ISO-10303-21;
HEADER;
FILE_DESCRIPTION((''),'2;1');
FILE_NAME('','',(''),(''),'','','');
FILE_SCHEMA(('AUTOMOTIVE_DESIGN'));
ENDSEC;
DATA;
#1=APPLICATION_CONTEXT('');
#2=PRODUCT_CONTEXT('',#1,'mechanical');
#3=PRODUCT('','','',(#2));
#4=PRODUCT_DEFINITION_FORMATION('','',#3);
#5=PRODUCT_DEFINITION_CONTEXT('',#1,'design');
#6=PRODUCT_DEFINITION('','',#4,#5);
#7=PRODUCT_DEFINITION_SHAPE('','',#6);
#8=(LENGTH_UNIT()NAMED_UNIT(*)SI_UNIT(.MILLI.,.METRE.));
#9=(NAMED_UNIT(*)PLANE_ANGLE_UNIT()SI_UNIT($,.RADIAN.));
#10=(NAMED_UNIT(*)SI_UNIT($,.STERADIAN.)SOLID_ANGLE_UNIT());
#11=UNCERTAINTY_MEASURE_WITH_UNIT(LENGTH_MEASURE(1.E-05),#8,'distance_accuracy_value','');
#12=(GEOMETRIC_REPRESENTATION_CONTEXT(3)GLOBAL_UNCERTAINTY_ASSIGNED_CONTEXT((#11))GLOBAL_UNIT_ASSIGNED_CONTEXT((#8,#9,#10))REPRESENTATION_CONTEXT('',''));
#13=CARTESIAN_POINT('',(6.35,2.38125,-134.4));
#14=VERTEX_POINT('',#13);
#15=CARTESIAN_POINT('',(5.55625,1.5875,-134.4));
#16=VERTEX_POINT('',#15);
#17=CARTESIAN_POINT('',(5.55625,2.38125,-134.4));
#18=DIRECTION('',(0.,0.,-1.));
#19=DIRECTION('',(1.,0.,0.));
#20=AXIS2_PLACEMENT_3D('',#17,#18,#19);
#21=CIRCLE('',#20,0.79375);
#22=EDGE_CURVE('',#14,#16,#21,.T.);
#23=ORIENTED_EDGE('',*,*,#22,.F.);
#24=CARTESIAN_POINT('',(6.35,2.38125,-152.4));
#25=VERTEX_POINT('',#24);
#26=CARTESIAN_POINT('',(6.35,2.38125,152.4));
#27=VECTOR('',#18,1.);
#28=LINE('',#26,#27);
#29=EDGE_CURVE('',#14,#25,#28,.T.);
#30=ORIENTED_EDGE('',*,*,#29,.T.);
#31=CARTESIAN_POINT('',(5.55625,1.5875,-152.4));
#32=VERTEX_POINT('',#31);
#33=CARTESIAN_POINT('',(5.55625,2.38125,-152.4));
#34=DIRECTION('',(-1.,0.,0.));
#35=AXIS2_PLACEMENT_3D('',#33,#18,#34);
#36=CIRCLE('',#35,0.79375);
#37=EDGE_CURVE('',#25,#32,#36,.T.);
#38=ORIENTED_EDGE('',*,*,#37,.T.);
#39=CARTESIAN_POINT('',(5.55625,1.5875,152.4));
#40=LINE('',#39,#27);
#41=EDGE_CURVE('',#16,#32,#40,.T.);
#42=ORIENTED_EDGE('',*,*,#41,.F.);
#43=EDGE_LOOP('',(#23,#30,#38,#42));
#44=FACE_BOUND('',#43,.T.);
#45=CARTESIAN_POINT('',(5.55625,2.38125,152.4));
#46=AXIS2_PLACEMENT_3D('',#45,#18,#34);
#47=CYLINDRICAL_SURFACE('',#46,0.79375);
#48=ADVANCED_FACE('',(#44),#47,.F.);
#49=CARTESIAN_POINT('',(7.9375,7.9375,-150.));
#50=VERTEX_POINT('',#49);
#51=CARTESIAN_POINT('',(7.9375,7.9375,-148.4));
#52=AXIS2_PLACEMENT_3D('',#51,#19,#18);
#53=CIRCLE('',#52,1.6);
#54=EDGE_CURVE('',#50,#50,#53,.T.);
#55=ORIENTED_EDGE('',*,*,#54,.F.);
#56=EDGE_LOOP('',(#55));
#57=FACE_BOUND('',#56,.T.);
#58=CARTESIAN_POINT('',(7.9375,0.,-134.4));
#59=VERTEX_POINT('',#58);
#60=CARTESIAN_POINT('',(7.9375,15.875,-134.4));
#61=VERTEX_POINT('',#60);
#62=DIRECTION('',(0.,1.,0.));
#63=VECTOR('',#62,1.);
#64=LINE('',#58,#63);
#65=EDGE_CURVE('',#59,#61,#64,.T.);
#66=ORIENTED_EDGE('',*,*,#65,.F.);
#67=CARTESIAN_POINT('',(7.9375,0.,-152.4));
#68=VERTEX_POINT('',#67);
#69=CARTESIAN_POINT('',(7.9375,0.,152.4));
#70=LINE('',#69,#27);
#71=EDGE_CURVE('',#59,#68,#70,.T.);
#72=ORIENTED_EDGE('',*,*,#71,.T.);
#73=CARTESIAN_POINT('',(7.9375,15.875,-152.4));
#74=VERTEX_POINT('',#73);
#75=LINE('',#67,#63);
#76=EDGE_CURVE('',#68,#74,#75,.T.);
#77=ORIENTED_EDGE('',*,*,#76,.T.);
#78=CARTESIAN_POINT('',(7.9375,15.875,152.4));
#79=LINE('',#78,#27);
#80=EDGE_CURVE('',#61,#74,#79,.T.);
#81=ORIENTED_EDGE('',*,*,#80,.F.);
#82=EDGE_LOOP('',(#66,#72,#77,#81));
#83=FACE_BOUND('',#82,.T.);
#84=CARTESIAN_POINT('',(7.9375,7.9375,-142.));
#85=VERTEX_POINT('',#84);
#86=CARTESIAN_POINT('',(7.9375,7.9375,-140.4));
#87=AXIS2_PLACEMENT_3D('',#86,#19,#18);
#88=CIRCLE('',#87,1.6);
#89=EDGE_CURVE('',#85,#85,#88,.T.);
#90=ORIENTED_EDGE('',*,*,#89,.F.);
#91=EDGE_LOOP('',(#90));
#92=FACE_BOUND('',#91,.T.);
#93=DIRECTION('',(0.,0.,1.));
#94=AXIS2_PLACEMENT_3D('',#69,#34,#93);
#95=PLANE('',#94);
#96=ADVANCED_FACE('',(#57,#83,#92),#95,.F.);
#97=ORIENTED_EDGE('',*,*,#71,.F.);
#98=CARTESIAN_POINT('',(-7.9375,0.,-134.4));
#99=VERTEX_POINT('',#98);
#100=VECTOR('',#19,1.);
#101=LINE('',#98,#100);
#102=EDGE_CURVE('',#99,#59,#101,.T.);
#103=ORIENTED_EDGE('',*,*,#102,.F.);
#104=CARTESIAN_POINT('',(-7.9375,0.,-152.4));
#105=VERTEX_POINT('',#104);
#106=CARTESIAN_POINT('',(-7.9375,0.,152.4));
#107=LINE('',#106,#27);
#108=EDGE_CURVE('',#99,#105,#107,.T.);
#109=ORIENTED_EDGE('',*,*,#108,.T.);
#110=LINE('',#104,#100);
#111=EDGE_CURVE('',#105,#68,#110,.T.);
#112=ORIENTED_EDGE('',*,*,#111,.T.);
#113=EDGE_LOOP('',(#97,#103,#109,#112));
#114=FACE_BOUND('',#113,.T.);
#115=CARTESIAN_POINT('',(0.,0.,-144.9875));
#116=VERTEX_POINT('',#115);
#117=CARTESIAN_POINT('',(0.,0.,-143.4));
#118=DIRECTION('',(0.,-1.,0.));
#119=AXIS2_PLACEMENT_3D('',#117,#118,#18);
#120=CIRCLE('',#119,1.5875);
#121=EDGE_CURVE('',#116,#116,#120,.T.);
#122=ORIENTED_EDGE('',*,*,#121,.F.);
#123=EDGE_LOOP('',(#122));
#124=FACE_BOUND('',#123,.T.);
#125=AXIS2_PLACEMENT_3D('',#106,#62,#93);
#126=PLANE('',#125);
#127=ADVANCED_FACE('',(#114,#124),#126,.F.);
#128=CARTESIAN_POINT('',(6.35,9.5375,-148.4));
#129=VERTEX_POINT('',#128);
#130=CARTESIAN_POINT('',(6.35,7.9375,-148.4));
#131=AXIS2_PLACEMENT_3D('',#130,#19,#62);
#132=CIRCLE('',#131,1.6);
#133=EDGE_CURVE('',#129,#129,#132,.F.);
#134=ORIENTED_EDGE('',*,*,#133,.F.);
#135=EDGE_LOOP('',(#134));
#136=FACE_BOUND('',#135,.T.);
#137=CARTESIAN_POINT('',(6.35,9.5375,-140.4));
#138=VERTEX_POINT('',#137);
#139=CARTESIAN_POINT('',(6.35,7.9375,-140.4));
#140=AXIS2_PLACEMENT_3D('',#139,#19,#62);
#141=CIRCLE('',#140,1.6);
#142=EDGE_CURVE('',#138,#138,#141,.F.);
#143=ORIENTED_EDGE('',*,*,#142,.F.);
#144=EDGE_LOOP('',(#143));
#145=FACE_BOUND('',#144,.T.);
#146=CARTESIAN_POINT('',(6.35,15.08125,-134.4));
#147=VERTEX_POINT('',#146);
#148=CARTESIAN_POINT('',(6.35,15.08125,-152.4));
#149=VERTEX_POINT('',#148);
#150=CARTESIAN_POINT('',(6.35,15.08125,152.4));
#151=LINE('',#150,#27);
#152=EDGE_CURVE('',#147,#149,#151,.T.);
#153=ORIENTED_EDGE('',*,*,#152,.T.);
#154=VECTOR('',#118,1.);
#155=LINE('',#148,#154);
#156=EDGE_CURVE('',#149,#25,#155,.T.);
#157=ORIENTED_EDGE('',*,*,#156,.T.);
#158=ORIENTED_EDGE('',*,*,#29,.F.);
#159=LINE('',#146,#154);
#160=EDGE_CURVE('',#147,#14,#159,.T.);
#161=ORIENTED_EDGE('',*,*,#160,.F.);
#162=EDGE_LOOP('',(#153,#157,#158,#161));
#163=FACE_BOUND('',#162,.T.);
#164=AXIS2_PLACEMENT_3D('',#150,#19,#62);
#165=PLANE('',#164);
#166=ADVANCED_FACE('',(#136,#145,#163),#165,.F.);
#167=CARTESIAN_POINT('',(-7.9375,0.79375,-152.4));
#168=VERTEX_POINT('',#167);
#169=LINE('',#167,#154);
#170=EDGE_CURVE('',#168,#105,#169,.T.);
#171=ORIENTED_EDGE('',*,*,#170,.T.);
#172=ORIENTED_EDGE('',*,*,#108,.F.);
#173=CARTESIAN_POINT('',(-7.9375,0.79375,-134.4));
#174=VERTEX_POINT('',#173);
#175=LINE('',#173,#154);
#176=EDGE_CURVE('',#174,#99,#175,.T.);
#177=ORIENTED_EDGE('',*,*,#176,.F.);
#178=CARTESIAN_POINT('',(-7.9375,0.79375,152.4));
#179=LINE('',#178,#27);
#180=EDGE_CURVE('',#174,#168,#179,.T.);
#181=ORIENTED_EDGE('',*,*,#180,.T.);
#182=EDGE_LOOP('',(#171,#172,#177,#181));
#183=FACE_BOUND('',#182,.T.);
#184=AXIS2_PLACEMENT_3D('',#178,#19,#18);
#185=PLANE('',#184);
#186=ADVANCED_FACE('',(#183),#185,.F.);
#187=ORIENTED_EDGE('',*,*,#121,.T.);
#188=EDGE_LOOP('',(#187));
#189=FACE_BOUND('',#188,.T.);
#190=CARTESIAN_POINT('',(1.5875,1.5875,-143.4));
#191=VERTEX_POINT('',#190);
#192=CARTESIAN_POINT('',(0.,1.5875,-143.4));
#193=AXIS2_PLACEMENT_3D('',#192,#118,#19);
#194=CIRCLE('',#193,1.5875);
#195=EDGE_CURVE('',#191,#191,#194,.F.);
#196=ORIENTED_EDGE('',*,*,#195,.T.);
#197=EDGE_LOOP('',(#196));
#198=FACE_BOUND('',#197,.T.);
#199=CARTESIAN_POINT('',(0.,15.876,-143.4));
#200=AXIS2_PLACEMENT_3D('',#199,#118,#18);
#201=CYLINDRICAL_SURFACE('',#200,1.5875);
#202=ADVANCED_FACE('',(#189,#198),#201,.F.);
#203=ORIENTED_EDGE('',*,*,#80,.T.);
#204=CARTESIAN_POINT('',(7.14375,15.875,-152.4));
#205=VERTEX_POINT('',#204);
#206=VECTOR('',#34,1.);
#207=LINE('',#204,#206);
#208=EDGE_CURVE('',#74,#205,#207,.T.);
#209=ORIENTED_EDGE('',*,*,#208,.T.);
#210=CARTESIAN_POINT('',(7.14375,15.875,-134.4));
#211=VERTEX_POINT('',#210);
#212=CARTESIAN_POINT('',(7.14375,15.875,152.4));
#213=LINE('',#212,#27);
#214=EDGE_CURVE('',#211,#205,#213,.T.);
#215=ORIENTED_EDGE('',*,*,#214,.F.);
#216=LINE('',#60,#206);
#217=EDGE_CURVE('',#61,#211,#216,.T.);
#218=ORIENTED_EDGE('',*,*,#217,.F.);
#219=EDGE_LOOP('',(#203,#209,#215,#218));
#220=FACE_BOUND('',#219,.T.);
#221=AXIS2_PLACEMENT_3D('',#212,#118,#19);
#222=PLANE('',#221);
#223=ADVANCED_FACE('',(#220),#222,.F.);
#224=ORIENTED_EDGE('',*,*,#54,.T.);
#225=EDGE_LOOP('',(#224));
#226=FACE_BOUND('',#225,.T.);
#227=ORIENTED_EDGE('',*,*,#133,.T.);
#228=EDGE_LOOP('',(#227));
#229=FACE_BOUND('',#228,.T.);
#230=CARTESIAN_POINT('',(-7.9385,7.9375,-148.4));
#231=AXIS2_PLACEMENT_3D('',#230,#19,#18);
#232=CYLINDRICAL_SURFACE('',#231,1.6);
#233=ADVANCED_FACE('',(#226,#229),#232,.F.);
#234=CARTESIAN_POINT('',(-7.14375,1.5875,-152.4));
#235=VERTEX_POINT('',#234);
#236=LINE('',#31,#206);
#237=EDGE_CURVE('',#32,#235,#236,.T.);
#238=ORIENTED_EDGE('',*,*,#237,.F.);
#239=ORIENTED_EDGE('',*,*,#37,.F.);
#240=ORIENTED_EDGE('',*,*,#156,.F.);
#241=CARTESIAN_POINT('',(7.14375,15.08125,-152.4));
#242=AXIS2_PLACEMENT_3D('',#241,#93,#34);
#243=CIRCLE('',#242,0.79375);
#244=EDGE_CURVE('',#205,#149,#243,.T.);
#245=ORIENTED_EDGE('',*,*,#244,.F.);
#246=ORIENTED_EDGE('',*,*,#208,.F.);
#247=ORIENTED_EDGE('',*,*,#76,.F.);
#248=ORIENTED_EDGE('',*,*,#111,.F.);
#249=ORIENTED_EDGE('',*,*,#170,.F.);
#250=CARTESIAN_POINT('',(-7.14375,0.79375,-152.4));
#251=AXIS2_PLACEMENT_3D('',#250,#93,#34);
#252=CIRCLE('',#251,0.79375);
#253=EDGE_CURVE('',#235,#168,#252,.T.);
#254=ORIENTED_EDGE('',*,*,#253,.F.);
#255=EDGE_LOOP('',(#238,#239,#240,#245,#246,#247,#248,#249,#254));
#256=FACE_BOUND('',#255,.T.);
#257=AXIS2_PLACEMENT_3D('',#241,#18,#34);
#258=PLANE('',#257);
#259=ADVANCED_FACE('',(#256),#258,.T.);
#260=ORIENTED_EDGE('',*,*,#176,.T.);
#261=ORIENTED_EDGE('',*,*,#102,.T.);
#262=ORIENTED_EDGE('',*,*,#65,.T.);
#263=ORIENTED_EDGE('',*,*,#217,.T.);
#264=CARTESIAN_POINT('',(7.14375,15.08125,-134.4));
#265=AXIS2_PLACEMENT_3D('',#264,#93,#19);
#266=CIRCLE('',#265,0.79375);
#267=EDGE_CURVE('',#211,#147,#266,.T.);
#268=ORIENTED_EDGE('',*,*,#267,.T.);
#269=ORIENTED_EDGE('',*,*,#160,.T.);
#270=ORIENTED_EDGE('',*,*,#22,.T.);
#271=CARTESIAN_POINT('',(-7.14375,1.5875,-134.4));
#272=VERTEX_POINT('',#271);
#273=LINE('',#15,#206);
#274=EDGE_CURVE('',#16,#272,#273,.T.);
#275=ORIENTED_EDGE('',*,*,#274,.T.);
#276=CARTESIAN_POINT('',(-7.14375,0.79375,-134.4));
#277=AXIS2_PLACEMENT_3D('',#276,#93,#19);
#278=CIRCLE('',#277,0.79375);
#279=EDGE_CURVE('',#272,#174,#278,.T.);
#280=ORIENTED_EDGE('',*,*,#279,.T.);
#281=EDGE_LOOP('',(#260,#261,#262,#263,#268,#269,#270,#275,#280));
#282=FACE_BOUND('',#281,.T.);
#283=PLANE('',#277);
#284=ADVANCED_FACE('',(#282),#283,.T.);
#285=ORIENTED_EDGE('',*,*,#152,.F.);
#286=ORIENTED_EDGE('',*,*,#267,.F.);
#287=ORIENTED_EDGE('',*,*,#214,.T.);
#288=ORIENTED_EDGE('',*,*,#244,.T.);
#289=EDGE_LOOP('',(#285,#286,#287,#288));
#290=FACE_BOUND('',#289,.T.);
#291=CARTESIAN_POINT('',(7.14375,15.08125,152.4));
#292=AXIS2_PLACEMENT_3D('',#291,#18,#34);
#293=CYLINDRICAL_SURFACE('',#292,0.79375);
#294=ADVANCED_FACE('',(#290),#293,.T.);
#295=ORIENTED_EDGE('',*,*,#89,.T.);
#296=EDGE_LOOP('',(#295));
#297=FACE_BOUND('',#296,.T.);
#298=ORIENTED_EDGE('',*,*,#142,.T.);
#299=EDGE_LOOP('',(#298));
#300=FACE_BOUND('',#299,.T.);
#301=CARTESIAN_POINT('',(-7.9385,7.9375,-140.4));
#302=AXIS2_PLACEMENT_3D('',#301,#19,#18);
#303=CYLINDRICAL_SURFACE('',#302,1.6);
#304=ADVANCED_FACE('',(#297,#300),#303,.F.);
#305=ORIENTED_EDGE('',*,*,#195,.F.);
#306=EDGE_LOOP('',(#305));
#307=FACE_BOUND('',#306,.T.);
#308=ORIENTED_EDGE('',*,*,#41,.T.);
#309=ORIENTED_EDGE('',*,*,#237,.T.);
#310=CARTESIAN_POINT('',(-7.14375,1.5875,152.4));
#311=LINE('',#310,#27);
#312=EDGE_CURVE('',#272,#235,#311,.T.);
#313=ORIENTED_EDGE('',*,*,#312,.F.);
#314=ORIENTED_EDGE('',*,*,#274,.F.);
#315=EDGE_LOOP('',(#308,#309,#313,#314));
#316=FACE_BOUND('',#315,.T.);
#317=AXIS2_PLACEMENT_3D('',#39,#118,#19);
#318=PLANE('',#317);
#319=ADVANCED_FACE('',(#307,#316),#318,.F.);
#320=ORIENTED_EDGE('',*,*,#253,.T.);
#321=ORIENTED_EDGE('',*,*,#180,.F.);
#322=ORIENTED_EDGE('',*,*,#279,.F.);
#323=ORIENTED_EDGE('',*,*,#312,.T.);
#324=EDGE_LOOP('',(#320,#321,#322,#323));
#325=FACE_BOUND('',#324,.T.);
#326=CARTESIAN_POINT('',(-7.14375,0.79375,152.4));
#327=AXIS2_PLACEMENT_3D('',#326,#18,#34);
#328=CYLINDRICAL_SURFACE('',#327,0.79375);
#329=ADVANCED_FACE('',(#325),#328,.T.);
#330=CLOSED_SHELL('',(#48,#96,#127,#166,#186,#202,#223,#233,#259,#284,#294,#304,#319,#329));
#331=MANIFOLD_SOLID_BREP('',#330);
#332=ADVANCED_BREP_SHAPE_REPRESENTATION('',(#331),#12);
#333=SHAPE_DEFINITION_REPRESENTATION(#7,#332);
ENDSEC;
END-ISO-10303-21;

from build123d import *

# Parameters (mm, degrees)
BOSS_EXTRUDE1_DEPTH = 152.4
CUT_EXTRUDE1_REACH  = 17.875
SKETCH3_R           = 1.6
CUT_EXTRUDE2_DEPTH  = 286.8
CUT_EXTRUDE3_REACH  = 17.875
SKETCH5_R           = 1.5875


with BuildPart() as part:
    # Sketch2 → Boss-Extrude1 (new body, symmetric)
    with BuildSketch(Plane.XY):
        with BuildLine():
            Line((-7.9375, 0), (7.9375, 0))
            Line((7.9375, 0), (7.9375, 15.875))
            Line((7.9375, 15.875), (7.14375, 15.875))
            ThreePointArc((7.14375, 15.875), (6.582483992, 15.642516008), (6.35, 15.08125))
            Line((6.35, 15.08125), (6.35, 2.38125))
            ThreePointArc((6.35, 2.38125), (6.117516008, 1.819983992), (5.55625, 1.5875))
            Line((5.55625, 1.5875), (-7.14375, 1.5875))
            ThreePointArc((-7.14375, 1.5875), (-7.705016008, 1.355016008), (-7.9375, 0.79375))
            Line((-7.9375, 0.79375), (-7.9375, 0))
        make_face()
    extrude(amount=BOSS_EXTRUDE1_DEPTH, both=True)

    # Sketch3 → Cut-Extrude1 (cut, up to next)
    with BuildSketch(Plane(origin=(7.9375, 0, 0), x_dir=(0, 0, -1), z_dir=(1, 0, 0)), mode=Mode.PRIVATE) as cut_extrude1_sk1:
        with Locations((148.4, 7.9375)):
            Circle(SKETCH3_R)
    cut_extrude1_tool1 = extrude(cut_extrude1_sk1.sketch, amount=-CUT_EXTRUDE1_REACH, mode=Mode.PRIVATE) & part.part
    add(cut_extrude1_tool1.solids().sort_by_distance((7.9375, 7.9375, -148.4))[0], mode=Mode.SUBTRACT)
    # Sketch3 → Cut-Extrude1 (cut, up to next)
    with BuildSketch(Plane(origin=(7.9375, 0, 0), x_dir=(0, 0, -1), z_dir=(1, 0, 0)), mode=Mode.PRIVATE) as cut_extrude1_sk2:
        with Locations((140.4, 7.9375)):
            Circle(SKETCH3_R)
    cut_extrude1_tool2 = extrude(cut_extrude1_sk2.sketch, amount=-CUT_EXTRUDE1_REACH, mode=Mode.PRIVATE) & part.part
    add(cut_extrude1_tool2.solids().sort_by_distance((7.9375, 7.9375, -140.4))[0], mode=Mode.SUBTRACT)

    # Sketch4 → Cut-Extrude2 (cut)
    with BuildSketch(Plane.XY.offset(152.4)):
        with BuildLine():
            Line((-7.9375, 0.79375), (-7.9375, 0))
            Line((-7.9375, 0), (7.9375, 0))
            Line((7.9375, 0), (7.9375, 15.875))
            Line((7.9375, 15.875), (7.14375, 15.875))
            ThreePointArc((7.14375, 15.875), (6.582483992, 15.642516008), (6.35, 15.08125))
            Line((6.35, 15.08125), (6.35, 2.38125))
            ThreePointArc((6.35, 2.38125), (6.117516008, 1.819983992), (5.55625, 1.5875))
            Line((5.55625, 1.5875), (-7.14375, 1.5875))
            ThreePointArc((-7.14375, 1.5875), (-7.705016008, 1.355016008), (-7.9375, 0.79375))
        make_face()
    extrude(amount=-CUT_EXTRUDE2_DEPTH, mode=Mode.SUBTRACT)

    # Sketch5 → Cut-Extrude3 (cut, up to next)
    with BuildSketch(Plane.XZ, mode=Mode.PRIVATE) as cut_extrude3_sk1:
        with Locations((0, -143.4)):
            Circle(SKETCH5_R)
    cut_extrude3_tool1 = extrude(cut_extrude3_sk1.sketch, amount=-CUT_EXTRUDE3_REACH, mode=Mode.PRIVATE) & part.part
    add(cut_extrude3_tool1.solids().sort_by_distance((0, 0, -143.4))[0], mode=Mode.SUBTRACT)


solid = part.part
